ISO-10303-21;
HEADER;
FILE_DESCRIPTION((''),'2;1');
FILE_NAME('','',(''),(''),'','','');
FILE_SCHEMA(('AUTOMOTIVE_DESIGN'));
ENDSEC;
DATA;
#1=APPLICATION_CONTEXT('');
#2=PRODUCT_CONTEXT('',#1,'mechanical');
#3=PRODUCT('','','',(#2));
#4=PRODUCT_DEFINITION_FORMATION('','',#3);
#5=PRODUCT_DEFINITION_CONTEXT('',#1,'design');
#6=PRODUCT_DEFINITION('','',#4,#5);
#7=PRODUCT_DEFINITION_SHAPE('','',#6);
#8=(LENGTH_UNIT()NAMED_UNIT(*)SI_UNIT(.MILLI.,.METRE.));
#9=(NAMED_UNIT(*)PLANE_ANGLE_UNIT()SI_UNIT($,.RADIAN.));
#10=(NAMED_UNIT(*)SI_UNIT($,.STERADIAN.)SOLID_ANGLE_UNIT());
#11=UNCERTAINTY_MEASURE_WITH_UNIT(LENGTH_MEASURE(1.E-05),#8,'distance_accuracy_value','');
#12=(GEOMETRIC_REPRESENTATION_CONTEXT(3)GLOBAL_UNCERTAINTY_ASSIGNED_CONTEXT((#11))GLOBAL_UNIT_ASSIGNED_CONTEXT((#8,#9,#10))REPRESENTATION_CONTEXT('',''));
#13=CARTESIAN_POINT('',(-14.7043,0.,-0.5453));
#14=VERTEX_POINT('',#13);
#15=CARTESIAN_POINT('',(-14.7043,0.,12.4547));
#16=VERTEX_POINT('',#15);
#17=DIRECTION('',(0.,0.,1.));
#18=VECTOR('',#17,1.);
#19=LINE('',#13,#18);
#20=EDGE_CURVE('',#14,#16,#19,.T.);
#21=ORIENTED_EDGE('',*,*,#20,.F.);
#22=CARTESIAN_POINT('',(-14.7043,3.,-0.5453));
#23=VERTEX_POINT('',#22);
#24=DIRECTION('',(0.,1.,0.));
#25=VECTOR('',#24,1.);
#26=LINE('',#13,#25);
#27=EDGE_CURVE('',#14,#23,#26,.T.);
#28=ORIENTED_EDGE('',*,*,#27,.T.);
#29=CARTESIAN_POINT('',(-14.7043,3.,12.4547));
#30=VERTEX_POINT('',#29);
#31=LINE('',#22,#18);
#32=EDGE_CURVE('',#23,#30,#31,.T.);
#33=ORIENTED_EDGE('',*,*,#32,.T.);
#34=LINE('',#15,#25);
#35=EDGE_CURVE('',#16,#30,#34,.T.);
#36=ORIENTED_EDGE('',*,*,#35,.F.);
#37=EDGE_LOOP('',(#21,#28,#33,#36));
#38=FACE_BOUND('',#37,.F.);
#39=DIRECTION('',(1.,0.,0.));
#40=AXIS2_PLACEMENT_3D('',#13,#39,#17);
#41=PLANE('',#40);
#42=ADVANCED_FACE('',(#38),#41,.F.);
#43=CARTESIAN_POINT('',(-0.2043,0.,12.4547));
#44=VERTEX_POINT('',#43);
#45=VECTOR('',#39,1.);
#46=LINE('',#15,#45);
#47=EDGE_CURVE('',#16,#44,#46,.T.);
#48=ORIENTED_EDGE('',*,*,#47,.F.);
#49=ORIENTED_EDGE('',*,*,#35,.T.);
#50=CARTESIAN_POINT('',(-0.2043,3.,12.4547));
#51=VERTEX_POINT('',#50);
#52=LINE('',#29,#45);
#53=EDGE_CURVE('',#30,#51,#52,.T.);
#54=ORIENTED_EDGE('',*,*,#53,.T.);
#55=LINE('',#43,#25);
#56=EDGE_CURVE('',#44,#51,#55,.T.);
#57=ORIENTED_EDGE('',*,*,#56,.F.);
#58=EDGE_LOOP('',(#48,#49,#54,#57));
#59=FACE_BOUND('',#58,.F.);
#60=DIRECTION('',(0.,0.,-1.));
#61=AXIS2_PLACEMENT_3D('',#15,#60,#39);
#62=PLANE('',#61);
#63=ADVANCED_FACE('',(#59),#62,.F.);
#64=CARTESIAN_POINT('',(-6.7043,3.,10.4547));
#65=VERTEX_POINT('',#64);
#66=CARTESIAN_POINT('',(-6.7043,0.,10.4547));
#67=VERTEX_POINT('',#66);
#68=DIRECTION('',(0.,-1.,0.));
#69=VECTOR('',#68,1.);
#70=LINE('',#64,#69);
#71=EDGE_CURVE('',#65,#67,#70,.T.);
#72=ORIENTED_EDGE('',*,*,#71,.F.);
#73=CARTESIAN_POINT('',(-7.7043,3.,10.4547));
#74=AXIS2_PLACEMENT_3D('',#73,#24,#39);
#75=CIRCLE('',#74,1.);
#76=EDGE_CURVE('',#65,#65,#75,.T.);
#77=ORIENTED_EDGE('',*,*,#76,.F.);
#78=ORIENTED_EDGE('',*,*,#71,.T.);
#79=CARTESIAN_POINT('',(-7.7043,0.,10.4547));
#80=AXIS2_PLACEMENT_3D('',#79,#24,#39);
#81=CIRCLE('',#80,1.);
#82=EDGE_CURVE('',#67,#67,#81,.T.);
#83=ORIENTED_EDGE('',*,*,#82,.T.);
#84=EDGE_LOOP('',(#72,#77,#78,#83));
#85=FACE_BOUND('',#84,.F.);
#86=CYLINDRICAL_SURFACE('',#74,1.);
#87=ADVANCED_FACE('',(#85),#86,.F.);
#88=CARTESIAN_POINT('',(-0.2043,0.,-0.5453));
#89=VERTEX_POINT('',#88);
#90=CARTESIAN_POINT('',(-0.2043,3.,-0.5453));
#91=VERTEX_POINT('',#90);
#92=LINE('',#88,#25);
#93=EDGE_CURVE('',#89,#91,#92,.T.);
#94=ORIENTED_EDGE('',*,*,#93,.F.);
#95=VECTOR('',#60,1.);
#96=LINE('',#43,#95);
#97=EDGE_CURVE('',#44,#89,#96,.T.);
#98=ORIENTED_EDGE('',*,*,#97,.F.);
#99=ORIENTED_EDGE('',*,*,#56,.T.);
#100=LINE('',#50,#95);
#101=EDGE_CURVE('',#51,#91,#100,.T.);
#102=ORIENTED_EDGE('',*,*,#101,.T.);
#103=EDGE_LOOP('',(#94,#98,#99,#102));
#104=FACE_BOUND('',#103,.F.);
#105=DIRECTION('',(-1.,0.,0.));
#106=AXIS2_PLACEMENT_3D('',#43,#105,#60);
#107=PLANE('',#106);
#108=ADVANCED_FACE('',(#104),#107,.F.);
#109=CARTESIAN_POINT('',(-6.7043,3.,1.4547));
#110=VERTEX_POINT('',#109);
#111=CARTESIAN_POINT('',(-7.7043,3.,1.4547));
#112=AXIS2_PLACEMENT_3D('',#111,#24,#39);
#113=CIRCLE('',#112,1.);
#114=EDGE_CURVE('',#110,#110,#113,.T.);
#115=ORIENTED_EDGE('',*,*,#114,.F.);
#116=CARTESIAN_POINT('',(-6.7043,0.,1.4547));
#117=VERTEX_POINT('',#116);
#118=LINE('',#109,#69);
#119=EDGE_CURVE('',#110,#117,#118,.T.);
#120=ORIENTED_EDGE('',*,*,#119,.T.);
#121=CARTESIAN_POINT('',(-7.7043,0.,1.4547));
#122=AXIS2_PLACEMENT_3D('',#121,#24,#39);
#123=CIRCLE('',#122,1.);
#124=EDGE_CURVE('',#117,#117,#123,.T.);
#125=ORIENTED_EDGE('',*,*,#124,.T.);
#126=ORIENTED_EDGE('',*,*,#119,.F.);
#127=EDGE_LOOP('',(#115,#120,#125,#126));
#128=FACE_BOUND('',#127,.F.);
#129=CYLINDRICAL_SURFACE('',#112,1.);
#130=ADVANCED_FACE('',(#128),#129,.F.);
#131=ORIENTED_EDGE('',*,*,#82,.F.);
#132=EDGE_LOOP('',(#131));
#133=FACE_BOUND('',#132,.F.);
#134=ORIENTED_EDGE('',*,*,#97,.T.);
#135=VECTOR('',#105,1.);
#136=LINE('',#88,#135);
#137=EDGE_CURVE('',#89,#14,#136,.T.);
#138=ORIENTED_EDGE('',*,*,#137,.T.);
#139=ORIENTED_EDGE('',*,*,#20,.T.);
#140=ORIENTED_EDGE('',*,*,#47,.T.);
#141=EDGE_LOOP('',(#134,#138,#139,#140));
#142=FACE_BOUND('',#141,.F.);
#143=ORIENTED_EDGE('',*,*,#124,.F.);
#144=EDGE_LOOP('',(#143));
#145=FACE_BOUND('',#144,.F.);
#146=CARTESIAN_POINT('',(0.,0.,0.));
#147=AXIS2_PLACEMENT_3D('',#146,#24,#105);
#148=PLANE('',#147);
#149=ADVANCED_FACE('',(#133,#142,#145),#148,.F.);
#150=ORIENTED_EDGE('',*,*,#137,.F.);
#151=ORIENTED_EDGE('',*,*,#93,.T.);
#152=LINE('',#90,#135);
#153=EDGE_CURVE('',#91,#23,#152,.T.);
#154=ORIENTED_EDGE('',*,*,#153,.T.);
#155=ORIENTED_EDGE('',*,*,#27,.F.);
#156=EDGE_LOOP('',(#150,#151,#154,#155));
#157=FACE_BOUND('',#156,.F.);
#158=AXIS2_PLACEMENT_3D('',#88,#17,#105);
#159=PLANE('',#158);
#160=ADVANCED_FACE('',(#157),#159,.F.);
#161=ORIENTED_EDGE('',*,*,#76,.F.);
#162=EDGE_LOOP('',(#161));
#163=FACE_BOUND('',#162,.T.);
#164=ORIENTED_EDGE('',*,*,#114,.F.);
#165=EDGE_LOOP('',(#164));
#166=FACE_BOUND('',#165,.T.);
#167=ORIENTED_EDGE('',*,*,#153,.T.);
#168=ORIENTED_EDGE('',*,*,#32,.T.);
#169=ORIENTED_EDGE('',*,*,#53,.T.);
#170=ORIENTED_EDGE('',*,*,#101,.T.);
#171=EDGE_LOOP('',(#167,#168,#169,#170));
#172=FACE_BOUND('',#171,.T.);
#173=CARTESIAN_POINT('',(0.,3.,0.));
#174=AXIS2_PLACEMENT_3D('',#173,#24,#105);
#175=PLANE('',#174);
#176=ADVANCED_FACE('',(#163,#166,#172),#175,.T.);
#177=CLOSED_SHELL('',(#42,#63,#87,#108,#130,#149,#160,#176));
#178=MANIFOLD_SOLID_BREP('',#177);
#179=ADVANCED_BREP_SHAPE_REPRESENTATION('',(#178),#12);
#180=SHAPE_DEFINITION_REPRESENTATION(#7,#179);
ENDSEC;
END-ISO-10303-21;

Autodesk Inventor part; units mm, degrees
ref_plane "YZ Plane" through (0, 0, 0) normal (1, 0, 0) x (0, 1, 0)
ref_plane "XZ Plane" through (0, 0, 0) normal (0, 1, 0) x (-1, 0, 0)
ref_plane "XY Plane" through (0, 0, 0) normal (0, 0, 1) x (1, 0, 0)
sketch "Sketch1" plane through (0, 0, 0) normal (0, 1, 0) x (-1, 0, 0)
  line L0 (14.7043, 12.4547) -> (0.2043, 12.4547)
  line L1 (0.2043, 12.4547) -> (0.2043, -0.5453)
  line L2 (0.2043, -0.5453) -> (14.7043, -0.5453)
  line L3 (14.7043, -0.5453) -> (14.7043, 12.4547)
  line L4 (14.7043, 12.4547) -> (0.2043, -0.5453) construction
  line L5 (0.2043, 12.4547) -> (14.7043, -0.5453) construction
  point P0 (0, 0)
  point P1 (7.4543, 5.9547)
  dimension "d0" = 14.5
  dimension "d1" = 13
extrude "Extrusion1" add sketch "Sketch1" along normal blind 3
sketch "Sketch2" plane through (0, 3, 0) normal (0, 1, 0) x (1, 0, 0)
  circle A0 centre (-7.7043, -10.4547) radius 1
  circle A1 centre (-7.7043, -1.4547) radius 1
  line L0 (-14.7043, -12.4547) -> (-0.2043, -12.4547) projected
  line L1 (-14.7043, 0.5453) -> (-14.7043, -12.4547) projected
  line L2 (-0.2043, 0.5453) -> (-14.7043, 0.5453) projected
  point P0 (0, 0)
  dimension "d4" = 2
  dimension "d5" = 2
  dimension "d6" = 2
  dimension "d7" = 7
  dimension "d8" = 7
  dimension "d9" = 2
extrude "Extrusion2" cut sketch "Sketch2" against normal blind 3
properties part number "USB holder"
